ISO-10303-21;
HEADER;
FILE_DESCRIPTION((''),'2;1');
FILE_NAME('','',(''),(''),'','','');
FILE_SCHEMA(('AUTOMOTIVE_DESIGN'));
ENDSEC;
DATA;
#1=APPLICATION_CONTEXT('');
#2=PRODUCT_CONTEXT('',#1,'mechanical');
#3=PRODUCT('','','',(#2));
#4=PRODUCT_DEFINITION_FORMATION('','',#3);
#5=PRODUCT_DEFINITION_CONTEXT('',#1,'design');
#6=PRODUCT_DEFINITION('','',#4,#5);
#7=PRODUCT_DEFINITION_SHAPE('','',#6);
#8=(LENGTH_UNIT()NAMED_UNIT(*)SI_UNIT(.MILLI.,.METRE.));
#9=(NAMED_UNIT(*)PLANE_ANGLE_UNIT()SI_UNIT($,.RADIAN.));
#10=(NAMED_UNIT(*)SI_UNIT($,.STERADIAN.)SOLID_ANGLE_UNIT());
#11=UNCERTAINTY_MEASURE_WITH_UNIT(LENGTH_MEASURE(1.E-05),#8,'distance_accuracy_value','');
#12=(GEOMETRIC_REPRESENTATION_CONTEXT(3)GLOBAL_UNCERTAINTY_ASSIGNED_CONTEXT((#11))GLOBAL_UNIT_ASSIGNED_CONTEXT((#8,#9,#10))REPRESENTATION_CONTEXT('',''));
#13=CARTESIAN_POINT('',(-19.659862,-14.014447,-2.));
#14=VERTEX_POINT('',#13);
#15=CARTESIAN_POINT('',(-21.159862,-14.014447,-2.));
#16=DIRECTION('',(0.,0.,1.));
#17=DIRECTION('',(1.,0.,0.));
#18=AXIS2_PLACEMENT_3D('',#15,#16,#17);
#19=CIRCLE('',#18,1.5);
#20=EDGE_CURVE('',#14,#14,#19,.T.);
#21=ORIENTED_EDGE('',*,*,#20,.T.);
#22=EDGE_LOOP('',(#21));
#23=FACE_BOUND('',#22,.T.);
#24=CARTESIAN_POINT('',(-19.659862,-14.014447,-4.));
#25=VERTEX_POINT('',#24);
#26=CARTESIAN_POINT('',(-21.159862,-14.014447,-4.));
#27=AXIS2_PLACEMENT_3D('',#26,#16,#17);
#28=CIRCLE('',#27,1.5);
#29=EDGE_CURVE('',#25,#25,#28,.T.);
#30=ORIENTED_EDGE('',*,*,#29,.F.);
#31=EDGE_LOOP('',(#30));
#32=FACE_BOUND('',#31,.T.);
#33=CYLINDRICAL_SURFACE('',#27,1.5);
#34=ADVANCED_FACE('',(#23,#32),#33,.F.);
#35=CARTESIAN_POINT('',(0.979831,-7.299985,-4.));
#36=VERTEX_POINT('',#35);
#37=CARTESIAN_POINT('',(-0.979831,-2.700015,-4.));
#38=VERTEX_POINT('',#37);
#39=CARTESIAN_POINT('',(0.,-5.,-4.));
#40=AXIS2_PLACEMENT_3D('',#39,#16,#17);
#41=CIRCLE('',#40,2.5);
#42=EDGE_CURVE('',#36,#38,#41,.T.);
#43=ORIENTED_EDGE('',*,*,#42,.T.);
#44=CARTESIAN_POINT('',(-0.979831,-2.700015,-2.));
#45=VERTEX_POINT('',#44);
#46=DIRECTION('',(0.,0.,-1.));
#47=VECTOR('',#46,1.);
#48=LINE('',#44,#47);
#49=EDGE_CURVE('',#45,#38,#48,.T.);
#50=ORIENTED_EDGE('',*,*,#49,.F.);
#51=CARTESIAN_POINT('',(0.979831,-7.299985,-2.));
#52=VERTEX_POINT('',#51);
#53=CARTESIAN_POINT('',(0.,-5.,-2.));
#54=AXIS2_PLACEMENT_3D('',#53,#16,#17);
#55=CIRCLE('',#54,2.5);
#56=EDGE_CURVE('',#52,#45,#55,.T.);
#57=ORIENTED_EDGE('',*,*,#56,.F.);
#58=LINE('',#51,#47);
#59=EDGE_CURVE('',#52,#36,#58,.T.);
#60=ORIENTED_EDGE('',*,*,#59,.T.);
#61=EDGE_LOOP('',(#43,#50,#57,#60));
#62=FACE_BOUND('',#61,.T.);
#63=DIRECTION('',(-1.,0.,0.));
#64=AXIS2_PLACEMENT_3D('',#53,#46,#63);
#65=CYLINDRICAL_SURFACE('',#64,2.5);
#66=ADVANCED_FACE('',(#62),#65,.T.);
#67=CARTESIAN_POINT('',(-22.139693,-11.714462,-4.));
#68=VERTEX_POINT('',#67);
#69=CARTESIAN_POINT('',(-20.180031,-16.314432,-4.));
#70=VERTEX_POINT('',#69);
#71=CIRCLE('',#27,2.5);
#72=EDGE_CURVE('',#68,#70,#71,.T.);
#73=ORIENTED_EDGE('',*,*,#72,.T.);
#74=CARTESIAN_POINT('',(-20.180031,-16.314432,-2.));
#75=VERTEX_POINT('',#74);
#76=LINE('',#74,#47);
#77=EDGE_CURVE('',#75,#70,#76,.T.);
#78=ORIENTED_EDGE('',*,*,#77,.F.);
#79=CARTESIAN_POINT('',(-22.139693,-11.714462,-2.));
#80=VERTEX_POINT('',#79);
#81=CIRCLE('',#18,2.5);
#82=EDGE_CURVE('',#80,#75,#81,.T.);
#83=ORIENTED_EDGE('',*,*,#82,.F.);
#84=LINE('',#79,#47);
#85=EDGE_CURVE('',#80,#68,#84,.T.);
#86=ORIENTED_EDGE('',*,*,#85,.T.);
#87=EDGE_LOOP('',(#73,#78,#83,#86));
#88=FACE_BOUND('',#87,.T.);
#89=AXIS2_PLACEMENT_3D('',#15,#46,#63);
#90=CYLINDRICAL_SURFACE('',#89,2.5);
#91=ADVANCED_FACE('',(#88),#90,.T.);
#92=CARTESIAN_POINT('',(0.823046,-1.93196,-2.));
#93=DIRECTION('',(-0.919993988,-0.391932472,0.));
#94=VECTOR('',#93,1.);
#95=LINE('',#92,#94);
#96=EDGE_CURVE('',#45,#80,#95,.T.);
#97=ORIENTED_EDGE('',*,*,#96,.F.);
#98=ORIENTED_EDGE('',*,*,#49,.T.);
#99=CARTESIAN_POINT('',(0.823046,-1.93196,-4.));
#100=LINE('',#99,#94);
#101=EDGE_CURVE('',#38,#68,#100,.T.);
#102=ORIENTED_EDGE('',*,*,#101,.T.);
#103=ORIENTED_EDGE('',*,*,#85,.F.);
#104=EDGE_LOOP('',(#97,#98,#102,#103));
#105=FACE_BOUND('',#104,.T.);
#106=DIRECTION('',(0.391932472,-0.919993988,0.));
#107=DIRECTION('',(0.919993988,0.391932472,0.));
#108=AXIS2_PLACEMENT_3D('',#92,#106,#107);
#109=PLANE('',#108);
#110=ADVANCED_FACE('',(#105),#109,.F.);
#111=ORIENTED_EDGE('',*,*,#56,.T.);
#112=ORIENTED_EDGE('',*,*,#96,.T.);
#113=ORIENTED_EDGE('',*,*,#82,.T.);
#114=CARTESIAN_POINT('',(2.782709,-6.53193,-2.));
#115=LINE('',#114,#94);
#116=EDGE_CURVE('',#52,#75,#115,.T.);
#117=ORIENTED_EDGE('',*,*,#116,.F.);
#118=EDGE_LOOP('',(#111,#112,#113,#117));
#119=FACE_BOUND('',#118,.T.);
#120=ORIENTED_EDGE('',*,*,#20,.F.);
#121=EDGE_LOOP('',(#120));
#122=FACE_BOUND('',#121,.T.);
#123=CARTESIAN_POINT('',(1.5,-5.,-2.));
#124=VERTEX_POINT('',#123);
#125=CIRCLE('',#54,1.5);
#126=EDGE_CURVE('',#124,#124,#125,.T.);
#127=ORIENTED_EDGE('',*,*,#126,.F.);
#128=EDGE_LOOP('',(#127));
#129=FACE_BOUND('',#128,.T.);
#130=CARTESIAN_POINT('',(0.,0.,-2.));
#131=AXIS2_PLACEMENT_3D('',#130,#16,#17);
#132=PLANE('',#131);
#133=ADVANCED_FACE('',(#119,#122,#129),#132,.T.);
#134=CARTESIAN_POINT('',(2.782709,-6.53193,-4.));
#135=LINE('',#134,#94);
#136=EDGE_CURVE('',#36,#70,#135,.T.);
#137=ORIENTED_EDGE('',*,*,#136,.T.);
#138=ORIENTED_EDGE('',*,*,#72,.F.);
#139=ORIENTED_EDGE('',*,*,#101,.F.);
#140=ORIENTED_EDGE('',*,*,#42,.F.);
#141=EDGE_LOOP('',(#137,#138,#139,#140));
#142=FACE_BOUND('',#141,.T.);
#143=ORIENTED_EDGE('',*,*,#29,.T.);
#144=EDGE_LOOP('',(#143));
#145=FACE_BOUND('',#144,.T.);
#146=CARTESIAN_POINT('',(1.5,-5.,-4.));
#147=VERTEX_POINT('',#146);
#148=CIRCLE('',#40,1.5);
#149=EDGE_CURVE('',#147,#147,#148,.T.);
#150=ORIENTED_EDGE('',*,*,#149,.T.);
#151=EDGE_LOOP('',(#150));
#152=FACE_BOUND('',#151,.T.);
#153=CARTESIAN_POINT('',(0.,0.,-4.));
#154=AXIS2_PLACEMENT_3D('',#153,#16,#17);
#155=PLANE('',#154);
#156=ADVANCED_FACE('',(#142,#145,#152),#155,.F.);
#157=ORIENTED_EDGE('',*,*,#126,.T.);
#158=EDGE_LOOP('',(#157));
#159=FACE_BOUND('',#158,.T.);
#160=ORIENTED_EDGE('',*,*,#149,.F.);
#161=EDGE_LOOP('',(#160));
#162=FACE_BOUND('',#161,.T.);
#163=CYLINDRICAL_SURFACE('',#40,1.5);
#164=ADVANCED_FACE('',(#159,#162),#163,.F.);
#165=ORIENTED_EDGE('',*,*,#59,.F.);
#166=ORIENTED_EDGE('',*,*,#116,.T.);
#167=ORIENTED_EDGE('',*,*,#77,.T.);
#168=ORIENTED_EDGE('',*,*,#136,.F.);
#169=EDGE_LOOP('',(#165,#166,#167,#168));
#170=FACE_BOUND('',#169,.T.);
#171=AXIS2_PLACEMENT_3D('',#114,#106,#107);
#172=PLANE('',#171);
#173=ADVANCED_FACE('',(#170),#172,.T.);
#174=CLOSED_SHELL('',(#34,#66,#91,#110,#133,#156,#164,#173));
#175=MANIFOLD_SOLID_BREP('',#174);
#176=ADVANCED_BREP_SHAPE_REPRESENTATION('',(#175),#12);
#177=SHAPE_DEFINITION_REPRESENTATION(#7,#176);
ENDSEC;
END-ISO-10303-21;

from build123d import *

# Parameters (mm, degrees)
BOSS_EXTRU_1_START      = -4
BOSS_EXTRU_1_DEPTH      = 2
ESQUISSE2_R             = 1.5
ENL_V_MAT_EXTRU_1_DEPTH = 2


with BuildPart() as part:
    # Esquisse1 → Boss.-Extru.1 (new body)
    with BuildSketch(Plane.XY.offset(BOSS_EXTRU_1_START)):
        with BuildLine():
            Line((-20.180030535, -16.314431829), (0.97983118, -7.299984969))
            ThreePointArc((0.97983118, -7.299984969), (2.40785155, -4.327503968), (-0.353745657, -2.52515374))
            ThreePointArc((-0.353745657, -2.52515374), (-0.672496032, -2.59214845), (-0.97983118, -2.700015031))
            Line((-0.97983118, -2.700015031), (-6.059542219, -4.86405494))
            Line((-6.059542219, -4.86405494), (-22.139692896, -11.714461891))
            ThreePointArc((-22.139692896, -11.714461891), (-23.459846684, -14.994278041), (-20.180030535, -16.314431829))
        make_face()
    extrude(amount=BOSS_EXTRU_1_DEPTH)

    # Esquisse2 → Enlèv. mat.-Extru.1 (cut)
    with BuildSketch(Plane.XY.offset(-2)):
        with Locations((-21.159861715, -14.01444686)):
            Circle(ESQUISSE2_R)
        with Locations((0, -5)):
            Circle(ESQUISSE2_R)
    extrude(amount=-ENL_V_MAT_EXTRU_1_DEPTH, mode=Mode.SUBTRACT)


solid = part.part
